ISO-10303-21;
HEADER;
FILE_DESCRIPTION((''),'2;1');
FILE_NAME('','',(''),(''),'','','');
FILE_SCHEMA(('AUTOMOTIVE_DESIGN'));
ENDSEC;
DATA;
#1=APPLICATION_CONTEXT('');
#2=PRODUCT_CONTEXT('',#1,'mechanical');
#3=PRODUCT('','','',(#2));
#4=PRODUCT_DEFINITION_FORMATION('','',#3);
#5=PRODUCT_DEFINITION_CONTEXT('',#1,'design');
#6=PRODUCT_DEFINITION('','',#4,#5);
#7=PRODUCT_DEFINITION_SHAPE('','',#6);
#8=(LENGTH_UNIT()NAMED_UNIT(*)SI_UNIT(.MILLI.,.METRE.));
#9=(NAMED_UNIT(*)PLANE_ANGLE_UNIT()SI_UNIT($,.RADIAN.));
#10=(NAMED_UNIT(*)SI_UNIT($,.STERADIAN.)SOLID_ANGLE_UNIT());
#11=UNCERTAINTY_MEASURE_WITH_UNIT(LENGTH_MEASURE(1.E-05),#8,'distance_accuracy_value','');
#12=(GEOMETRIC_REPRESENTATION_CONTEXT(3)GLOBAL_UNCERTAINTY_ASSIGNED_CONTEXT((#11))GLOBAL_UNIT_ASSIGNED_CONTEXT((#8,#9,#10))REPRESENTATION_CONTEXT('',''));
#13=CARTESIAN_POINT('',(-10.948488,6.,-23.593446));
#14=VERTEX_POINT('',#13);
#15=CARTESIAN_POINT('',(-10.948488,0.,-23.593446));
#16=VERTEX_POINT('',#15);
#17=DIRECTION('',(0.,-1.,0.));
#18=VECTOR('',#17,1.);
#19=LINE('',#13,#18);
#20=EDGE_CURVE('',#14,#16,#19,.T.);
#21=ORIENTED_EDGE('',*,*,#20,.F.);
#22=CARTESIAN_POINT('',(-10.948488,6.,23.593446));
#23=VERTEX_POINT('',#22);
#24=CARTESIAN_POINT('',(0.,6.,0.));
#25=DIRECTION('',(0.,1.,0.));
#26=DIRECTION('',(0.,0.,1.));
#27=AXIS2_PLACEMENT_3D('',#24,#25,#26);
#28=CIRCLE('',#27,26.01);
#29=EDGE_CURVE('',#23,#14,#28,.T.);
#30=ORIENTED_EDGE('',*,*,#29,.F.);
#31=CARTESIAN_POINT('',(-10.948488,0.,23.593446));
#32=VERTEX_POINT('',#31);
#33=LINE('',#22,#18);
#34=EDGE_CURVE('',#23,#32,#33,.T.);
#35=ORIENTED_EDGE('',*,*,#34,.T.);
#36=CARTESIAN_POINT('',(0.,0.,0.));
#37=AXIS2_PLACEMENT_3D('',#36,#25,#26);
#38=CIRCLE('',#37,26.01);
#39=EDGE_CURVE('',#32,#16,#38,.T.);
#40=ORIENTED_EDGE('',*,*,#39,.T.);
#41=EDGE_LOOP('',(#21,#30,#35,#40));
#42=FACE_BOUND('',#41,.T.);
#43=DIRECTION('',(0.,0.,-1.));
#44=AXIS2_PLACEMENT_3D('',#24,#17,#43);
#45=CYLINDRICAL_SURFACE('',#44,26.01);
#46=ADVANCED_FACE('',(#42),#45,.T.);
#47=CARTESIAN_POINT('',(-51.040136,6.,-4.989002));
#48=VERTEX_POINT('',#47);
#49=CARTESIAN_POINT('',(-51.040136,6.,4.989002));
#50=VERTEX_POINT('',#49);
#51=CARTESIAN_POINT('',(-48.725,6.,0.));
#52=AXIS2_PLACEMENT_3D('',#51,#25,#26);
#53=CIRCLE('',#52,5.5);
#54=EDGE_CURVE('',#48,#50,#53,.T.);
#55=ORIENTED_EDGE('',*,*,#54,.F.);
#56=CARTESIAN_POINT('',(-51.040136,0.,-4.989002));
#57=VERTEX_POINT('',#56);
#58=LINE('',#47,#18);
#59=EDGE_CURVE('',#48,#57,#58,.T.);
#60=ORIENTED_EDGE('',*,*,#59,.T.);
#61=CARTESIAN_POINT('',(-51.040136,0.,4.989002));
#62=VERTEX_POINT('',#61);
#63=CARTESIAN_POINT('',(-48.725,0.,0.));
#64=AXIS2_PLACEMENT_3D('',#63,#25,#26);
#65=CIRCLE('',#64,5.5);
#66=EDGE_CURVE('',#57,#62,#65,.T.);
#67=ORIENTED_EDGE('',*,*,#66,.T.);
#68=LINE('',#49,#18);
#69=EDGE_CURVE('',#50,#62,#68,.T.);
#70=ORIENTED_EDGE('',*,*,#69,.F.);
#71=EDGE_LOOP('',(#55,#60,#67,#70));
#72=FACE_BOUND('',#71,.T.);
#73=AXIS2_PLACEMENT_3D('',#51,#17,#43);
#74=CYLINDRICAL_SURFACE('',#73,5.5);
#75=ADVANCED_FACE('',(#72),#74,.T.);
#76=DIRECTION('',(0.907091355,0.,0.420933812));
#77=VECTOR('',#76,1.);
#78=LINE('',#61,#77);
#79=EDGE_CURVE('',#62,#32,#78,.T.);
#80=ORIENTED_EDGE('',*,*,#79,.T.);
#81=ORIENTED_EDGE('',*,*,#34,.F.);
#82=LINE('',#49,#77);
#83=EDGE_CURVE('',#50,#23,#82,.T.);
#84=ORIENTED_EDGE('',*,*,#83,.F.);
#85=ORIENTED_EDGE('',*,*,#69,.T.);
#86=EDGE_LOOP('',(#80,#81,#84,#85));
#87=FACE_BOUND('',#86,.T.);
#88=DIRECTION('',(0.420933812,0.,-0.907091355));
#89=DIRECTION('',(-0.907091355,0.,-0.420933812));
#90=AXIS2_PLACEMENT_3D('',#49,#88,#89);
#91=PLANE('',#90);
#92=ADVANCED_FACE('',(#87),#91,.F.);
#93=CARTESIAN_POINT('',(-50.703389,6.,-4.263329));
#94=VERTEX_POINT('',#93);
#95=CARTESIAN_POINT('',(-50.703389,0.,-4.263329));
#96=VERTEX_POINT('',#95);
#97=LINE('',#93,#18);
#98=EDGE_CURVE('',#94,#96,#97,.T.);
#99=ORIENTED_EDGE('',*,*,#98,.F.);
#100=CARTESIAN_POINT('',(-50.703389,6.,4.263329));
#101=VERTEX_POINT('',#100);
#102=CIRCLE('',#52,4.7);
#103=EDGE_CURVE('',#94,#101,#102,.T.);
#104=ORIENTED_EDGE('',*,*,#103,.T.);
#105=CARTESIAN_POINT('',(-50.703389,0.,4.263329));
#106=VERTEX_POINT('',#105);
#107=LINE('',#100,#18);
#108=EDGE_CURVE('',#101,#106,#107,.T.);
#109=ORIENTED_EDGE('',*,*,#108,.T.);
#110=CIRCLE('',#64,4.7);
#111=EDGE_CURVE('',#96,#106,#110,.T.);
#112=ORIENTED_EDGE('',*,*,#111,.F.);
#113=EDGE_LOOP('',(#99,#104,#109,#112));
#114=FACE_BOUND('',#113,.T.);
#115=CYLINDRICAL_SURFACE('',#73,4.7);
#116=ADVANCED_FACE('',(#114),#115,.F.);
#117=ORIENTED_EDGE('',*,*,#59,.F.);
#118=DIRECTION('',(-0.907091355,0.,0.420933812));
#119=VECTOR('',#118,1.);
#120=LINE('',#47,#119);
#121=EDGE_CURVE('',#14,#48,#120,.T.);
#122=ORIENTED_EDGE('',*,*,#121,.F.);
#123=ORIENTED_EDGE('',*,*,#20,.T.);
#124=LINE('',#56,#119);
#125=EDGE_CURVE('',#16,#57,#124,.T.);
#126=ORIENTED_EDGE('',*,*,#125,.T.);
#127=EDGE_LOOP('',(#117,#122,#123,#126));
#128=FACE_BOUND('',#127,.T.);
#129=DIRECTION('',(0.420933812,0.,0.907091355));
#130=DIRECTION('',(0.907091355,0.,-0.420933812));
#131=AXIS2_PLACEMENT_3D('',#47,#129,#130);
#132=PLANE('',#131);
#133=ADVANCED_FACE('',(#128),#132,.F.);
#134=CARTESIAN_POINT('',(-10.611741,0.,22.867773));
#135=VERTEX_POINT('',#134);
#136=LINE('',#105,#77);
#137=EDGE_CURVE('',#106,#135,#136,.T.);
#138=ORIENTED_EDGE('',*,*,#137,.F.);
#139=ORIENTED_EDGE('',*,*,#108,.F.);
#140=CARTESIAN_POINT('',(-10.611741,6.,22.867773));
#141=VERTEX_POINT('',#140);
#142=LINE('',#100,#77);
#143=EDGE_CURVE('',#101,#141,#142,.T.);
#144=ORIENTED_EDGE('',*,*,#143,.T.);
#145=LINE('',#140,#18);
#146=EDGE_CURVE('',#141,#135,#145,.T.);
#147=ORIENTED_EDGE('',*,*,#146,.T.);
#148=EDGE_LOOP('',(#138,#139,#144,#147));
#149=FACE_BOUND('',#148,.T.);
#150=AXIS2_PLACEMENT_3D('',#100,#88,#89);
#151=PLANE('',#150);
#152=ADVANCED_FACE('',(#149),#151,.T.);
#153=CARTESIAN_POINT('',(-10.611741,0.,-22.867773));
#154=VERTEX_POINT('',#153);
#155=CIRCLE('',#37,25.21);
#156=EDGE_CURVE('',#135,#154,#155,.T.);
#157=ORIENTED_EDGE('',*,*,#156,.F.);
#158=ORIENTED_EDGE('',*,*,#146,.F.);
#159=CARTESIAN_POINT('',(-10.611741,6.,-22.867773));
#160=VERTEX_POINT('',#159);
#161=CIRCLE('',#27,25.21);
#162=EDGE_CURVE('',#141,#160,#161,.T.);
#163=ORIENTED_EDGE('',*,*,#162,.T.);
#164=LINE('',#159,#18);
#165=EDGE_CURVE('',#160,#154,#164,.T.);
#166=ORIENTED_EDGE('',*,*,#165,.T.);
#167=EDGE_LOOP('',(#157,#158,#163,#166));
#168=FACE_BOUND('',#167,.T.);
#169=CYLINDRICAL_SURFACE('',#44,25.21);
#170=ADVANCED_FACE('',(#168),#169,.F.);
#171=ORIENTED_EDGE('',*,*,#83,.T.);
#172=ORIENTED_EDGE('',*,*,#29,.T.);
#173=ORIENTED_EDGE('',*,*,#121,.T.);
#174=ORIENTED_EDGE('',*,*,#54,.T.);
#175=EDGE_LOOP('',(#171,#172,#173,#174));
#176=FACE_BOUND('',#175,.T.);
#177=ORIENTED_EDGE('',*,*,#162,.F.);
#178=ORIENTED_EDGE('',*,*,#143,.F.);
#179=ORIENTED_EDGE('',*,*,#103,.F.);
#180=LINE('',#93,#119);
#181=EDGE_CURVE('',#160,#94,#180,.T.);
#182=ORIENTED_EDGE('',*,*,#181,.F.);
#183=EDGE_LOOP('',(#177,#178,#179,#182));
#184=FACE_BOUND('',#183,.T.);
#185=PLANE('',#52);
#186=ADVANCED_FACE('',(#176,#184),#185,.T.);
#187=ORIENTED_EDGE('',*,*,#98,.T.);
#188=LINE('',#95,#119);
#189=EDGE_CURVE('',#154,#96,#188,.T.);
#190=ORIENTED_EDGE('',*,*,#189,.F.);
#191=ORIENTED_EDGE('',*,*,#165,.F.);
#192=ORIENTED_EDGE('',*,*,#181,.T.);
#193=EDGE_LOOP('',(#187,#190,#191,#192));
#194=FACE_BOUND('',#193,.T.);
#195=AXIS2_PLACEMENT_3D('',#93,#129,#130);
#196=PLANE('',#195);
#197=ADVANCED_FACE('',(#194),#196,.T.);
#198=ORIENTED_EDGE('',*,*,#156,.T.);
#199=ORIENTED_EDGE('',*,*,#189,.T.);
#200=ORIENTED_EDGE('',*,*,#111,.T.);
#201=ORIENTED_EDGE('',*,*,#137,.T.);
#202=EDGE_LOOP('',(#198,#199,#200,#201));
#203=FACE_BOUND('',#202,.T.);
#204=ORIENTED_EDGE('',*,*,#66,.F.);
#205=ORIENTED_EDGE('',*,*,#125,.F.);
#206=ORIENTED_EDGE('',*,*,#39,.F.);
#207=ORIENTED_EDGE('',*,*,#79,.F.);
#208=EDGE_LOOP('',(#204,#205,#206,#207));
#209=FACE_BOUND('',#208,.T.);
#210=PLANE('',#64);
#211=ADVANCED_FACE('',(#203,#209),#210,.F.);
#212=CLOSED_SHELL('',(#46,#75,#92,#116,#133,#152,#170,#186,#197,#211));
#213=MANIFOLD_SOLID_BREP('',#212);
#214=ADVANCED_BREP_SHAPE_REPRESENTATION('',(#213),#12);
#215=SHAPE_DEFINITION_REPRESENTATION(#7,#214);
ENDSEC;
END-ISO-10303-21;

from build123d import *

# Parameters (mm, degrees)
BOSS_EXTRUDE1_DEPTH = 6


with BuildPart() as part:
    # Sketch1 → Boss-Extrude1 (new body)
    with BuildSketch(Plane(origin=(0, 0, 0), x_dir=(1, 0, 0), z_dir=(0, 1, 0))):
        with BuildLine():
            Line((-51.040135967, 4.989002451), (-10.948488456, 23.593446135))
            ThreePointArc((-10.948488456, 23.593446135), (26.01, 0), (-10.948488456, -23.593446135))
            Line((-10.948488456, -23.593446135), (-51.040135967, -4.989002451))
            ThreePointArc((-51.040135967, -4.989002451), (-54.225, 0), (-51.040135967, 4.989002451))
        make_face()
        with BuildLine():
            Line((-50.703388917, 4.263329367), (-10.611741406, 22.867773052))
            ThreePointArc((-10.611741406, 22.867773052), (25.21, 0), (-10.611741406, -22.867773052))
            Line((-10.611741406, -22.867773052), (-50.703388917, -4.263329367))
            ThreePointArc((-50.703388917, -4.263329367), (-53.425, 0), (-50.703388917, 4.263329367))
        make_face(mode=Mode.SUBTRACT)
    extrude(amount=BOSS_EXTRUDE1_DEPTH)


solid = part.part
